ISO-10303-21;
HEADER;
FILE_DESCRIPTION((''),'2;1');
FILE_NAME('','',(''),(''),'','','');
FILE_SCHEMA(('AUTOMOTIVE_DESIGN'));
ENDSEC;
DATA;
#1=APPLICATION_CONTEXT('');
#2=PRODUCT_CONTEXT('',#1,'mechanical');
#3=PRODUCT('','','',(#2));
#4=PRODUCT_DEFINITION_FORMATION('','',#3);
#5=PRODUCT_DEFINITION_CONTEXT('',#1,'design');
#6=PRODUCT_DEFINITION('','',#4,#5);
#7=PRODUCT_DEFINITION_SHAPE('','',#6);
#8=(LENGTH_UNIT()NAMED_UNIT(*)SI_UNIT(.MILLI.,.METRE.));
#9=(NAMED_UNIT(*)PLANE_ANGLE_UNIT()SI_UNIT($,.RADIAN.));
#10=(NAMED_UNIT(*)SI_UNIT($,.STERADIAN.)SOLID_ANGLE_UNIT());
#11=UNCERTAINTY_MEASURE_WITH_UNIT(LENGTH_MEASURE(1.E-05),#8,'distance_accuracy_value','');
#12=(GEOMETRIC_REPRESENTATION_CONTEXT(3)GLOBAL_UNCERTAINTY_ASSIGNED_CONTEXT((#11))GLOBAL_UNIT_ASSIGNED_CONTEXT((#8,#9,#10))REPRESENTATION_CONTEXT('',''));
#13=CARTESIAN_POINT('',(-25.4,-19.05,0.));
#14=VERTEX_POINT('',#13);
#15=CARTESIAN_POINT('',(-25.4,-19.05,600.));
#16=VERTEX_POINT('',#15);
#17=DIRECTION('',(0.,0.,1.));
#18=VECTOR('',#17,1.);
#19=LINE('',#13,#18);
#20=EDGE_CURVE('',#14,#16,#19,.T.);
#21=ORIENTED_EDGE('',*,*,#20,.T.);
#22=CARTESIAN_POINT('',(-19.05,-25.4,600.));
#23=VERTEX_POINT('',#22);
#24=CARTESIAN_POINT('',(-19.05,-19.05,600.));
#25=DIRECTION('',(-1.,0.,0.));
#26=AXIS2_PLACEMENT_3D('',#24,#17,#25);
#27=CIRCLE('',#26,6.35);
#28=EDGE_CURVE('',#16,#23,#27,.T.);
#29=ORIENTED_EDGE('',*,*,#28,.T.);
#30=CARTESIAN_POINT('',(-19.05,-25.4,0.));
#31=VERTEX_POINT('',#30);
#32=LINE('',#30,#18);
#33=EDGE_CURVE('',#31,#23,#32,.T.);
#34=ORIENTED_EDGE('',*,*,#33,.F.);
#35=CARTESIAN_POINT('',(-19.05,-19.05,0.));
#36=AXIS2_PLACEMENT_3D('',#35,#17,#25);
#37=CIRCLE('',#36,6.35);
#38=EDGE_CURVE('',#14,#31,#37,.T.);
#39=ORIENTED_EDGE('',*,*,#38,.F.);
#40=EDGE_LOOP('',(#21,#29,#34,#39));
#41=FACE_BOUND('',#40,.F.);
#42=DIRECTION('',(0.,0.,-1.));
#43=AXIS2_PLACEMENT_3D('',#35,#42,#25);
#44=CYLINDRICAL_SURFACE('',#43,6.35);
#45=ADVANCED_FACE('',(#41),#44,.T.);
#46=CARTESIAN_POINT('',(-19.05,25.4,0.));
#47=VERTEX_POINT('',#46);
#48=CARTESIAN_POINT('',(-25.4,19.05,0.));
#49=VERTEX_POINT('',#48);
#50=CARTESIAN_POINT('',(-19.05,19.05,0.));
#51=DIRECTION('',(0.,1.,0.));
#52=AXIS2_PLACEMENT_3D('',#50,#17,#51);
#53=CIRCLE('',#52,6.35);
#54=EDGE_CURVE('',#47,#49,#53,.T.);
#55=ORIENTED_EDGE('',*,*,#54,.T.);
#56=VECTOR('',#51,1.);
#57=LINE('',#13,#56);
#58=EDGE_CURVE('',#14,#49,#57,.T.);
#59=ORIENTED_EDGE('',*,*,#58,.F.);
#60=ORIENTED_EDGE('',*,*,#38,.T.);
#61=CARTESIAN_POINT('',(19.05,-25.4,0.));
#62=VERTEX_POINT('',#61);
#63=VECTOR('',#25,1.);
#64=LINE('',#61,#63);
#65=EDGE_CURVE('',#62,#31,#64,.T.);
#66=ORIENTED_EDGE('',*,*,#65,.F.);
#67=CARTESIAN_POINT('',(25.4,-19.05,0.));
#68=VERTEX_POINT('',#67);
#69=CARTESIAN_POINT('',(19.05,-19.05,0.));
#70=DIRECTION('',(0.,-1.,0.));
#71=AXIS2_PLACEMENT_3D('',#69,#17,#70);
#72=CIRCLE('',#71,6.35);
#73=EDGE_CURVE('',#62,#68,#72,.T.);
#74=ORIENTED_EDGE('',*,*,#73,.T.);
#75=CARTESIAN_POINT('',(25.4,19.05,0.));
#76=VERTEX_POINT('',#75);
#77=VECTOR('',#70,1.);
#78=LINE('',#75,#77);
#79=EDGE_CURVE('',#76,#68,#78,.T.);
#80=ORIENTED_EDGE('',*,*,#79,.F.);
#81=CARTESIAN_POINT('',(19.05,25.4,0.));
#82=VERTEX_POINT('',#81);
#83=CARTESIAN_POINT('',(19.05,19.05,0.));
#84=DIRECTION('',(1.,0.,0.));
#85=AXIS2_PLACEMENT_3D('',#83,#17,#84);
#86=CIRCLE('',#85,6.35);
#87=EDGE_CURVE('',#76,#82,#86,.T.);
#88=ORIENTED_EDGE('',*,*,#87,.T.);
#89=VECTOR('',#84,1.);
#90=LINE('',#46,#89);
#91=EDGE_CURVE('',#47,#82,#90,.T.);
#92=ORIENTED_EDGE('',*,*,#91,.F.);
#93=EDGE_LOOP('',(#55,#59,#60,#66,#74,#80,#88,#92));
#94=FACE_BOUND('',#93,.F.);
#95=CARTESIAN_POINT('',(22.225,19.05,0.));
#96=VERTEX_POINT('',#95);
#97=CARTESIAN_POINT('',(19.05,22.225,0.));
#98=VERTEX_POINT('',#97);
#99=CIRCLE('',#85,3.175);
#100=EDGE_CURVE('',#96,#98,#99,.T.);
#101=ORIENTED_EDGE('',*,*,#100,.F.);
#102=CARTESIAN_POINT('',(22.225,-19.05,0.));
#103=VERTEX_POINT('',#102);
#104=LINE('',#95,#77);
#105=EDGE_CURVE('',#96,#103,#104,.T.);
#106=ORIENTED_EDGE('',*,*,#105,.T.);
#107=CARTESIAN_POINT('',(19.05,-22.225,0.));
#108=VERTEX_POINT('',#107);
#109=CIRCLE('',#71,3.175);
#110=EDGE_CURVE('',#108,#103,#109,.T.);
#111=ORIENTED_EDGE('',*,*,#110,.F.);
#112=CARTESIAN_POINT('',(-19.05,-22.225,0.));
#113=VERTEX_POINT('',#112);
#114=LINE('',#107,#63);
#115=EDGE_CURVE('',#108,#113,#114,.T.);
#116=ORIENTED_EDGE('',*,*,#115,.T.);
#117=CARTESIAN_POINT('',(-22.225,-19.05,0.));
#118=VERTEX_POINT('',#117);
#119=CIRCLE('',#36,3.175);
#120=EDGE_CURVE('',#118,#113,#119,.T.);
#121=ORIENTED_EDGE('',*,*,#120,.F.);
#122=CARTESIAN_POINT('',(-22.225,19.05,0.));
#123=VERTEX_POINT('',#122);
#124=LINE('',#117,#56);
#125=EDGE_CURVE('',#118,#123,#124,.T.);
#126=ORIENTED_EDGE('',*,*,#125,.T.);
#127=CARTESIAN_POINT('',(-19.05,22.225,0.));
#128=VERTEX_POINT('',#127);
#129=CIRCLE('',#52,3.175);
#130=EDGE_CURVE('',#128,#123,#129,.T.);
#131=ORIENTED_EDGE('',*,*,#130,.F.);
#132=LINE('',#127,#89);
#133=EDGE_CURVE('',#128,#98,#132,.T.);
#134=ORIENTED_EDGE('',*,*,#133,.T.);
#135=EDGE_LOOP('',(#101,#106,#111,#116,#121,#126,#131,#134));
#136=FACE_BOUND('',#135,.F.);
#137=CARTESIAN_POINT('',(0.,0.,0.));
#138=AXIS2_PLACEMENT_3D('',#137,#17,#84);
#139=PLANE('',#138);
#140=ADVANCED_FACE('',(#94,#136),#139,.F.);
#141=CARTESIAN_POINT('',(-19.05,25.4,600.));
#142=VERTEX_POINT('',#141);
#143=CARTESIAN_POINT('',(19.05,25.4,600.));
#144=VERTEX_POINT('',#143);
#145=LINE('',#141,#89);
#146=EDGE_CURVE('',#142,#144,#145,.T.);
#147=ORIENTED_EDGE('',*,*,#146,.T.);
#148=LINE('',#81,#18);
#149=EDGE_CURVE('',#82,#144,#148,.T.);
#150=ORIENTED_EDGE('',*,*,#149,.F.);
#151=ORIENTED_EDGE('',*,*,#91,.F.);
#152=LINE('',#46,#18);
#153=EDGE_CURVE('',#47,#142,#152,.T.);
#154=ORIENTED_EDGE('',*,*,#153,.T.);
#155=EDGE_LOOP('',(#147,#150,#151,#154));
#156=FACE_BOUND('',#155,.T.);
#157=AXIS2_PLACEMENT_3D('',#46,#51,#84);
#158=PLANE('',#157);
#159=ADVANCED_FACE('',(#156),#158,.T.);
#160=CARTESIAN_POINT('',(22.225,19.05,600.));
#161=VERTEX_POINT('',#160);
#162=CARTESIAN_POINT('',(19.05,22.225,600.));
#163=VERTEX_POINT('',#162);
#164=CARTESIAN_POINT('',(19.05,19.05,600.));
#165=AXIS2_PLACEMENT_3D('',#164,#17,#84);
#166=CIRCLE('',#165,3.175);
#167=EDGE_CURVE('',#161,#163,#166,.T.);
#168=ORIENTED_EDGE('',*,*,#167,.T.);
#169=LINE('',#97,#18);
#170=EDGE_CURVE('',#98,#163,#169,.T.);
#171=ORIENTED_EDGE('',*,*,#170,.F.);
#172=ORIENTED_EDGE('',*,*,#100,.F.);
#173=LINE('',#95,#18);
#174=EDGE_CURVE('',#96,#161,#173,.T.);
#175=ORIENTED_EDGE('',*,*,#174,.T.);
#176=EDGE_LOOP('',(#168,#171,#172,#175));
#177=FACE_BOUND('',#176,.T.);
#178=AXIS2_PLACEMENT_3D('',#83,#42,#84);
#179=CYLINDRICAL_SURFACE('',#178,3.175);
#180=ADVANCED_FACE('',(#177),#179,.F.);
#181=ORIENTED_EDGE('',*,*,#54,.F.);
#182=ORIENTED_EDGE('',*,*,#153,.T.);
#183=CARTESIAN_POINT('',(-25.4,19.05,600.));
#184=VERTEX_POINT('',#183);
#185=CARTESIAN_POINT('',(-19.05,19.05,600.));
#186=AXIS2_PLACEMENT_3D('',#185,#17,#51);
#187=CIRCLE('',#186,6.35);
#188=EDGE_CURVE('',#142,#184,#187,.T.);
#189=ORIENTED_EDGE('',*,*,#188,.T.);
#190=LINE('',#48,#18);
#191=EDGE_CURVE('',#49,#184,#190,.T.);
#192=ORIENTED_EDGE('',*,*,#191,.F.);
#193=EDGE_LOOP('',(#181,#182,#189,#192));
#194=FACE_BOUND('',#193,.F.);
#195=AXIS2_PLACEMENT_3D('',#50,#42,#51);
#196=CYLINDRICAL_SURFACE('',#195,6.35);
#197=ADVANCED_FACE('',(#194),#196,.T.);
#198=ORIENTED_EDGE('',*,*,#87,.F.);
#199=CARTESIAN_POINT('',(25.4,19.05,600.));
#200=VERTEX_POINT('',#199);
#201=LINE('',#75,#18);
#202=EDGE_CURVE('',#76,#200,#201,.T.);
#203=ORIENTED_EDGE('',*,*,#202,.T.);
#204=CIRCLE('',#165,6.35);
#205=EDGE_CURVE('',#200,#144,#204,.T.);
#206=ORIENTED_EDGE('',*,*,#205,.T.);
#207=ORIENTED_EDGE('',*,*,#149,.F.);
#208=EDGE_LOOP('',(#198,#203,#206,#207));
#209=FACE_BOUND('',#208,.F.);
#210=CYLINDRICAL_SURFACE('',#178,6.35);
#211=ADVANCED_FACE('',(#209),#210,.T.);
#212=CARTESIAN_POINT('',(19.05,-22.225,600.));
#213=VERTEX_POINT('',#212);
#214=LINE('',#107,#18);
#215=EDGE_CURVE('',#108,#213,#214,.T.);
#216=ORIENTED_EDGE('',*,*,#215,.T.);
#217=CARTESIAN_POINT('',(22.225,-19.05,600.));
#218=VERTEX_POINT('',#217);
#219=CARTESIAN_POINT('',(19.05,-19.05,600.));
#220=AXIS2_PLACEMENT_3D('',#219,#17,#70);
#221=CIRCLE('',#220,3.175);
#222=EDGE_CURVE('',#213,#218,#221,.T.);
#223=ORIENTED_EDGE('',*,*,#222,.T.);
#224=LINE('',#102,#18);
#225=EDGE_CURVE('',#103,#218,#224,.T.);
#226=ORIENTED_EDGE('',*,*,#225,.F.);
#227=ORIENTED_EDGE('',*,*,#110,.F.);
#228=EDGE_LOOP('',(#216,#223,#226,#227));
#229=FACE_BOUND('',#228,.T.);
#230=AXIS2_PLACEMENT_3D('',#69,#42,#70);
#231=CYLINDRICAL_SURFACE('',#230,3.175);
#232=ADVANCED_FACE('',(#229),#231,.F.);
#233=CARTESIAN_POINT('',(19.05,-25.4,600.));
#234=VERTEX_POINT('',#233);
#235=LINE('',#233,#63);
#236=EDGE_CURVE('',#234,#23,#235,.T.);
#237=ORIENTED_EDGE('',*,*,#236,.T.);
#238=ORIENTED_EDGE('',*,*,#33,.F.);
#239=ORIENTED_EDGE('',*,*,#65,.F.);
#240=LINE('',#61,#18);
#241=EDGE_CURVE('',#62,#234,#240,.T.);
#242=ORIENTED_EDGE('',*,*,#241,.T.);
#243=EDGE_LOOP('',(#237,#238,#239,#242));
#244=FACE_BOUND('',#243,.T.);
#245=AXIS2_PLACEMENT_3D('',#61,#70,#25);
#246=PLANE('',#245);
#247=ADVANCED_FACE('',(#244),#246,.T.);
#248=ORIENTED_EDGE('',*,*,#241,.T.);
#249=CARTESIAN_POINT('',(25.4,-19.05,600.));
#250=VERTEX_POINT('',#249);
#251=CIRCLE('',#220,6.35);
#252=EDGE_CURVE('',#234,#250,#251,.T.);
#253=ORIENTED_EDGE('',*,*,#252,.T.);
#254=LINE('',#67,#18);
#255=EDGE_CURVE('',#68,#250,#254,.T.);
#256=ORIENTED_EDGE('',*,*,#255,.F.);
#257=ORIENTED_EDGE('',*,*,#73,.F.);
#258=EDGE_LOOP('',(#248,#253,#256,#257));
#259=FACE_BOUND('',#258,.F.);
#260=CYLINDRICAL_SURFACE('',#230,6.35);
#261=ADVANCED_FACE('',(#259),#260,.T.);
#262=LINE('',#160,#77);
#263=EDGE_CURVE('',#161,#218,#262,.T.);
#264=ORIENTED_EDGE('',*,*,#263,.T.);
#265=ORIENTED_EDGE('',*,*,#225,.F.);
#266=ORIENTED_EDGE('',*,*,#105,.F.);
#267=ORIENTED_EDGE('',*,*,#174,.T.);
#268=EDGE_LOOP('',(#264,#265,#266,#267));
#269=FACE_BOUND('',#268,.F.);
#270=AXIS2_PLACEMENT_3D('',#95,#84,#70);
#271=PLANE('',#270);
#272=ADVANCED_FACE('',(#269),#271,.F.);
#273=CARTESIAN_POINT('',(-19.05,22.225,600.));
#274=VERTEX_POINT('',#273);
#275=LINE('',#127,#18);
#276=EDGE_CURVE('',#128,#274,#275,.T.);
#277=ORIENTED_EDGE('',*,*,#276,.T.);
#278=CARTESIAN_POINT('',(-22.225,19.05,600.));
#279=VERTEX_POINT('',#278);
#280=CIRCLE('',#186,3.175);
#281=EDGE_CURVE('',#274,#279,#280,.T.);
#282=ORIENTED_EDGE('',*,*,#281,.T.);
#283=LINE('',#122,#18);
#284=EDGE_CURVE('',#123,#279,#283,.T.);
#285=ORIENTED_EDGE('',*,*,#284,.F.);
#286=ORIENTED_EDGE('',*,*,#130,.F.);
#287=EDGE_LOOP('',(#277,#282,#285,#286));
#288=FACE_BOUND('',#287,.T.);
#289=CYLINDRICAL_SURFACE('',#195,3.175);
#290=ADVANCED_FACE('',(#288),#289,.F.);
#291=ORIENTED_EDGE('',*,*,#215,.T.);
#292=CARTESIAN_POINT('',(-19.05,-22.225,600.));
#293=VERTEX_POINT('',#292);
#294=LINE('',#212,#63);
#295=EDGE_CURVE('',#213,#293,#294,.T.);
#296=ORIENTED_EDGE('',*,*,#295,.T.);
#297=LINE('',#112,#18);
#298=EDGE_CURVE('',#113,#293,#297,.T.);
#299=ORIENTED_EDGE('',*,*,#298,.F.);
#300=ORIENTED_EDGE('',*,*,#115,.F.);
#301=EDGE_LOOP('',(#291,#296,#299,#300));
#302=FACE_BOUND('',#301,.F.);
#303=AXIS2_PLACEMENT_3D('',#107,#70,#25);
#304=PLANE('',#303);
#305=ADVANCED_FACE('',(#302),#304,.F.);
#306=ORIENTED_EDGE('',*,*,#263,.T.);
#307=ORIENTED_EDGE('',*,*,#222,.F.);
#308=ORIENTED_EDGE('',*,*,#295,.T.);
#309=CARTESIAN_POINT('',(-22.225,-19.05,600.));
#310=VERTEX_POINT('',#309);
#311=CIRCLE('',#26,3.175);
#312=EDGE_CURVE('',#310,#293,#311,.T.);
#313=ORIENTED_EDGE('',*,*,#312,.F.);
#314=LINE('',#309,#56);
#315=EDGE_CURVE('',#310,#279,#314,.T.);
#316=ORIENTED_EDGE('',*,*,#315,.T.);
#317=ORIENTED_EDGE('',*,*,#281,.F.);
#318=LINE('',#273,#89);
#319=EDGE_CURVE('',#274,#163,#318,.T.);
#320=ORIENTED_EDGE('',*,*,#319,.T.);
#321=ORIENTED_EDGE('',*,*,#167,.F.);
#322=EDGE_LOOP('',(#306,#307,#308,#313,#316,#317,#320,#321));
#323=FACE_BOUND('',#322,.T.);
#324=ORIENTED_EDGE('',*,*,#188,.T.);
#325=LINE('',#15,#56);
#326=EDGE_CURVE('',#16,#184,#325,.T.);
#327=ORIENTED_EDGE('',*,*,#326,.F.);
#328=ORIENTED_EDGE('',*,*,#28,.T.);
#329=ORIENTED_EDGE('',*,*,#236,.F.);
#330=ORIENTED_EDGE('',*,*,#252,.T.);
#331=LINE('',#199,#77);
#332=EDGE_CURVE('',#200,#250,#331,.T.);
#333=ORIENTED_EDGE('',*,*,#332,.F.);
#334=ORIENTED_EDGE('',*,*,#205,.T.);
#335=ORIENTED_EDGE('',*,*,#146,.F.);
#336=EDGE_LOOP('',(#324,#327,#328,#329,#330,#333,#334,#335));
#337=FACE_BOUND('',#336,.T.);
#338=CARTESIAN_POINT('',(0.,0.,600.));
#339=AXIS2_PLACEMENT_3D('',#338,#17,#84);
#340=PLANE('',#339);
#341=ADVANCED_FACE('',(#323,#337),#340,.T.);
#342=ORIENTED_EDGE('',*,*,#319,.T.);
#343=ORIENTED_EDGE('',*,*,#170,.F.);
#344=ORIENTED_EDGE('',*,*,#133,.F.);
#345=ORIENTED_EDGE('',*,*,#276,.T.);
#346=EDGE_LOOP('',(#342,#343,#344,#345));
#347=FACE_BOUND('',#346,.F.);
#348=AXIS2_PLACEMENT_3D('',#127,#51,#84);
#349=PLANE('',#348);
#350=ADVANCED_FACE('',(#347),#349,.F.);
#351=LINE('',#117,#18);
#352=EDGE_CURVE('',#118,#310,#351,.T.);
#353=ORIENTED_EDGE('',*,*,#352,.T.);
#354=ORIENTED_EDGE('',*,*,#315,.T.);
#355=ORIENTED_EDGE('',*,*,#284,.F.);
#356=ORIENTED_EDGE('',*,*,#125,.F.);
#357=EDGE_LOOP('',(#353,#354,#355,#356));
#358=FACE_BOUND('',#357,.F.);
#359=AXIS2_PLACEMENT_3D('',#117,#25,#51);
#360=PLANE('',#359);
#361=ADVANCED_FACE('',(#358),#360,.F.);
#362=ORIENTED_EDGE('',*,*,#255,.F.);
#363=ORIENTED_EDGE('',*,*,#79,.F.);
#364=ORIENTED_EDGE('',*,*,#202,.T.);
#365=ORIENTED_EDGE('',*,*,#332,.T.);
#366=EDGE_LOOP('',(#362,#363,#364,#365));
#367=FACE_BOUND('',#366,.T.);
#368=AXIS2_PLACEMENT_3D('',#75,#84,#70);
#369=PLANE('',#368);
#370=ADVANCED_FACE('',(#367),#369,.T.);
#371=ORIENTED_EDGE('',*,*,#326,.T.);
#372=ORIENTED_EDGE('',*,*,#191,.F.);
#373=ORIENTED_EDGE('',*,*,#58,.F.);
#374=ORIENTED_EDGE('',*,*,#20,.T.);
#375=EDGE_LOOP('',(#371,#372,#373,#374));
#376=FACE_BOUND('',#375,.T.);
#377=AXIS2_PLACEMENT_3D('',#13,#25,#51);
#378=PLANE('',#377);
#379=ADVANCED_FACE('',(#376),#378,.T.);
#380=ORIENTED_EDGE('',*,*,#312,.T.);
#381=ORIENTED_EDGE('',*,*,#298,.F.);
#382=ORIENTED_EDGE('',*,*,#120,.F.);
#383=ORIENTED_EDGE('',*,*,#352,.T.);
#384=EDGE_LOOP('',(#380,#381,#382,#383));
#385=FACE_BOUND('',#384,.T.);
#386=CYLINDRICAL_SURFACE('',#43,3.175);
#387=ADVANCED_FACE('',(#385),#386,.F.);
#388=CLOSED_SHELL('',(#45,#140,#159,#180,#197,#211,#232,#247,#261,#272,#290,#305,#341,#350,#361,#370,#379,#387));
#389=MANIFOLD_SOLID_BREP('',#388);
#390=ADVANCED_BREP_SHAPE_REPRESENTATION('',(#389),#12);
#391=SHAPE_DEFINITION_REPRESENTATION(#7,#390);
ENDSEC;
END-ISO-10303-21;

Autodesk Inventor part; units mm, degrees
ref_plane "YZ Plane" through (0, 0, 0) normal (1, 0, 0) x (0, 1, 0)
ref_plane "Plano inicial" through (0, 0, 0) normal (0, 0, 1) x (1, 0, 0)
ref_plane "Plano final" through (0, 0, 600) normal (0, 0, 1) x (1, 0, 0)
sketch "Boceto" plane through (0, 0, 0) normal (0, 0, 1) x (1, 0, 0)
  line L0 (-25.4, -19.05) -> (-25.4, 19.05)
  line L1 (-19.05, 25.4) -> (19.05, 25.4)
  line L2 (25.4, 19.05) -> (25.4, -19.05)
  line L3 (19.05, -25.4) -> (-19.05, -25.4)
  arc A0 (-25.4, -19.05) -> (-19.05, -25.4) centre (-19.05, -19.05) ccw
  arc A1 (-19.05, 25.4) -> (-25.4, 19.05) centre (-19.05, 19.05) ccw
  arc A2 (25.4, 19.05) -> (19.05, 25.4) centre (19.05, 19.05) ccw
  arc A3 (19.05, -25.4) -> (25.4, -19.05) centre (19.05, -19.05) ccw
  arc A4 (-19.05, 22.225) -> (-22.225, 19.05) centre (-19.05, 19.05) ccw
  line L4 (-19.05, 22.225) -> (19.05, 22.225)
  arc A5 (22.225, 19.05) -> (19.05, 22.225) centre (19.05, 19.05) ccw
  line L5 (22.225, 19.05) -> (22.225, -19.05)
  arc A6 (19.05, -22.225) -> (22.225, -19.05) centre (19.05, -19.05) ccw
  line L6 (19.05, -22.225) -> (-19.05, -22.225)
  arc A7 (-22.225, -19.05) -> (-19.05, -22.225) centre (-19.05, -19.05) ccw
  line L7 (-22.225, -19.05) -> (-22.225, 19.05)
  line L8 (0, 37.4012) -> (0, -37.4012) construction
  line L9 (-37.4012, 0) -> (37.4012, 0) construction
  dimension "d10" = 50.8
  dimension "d11" = 50.8
  dimension "d12" = 3.175
  dimension "d15" = 25.4
  dimension "d16" = 25.4
  dimension "d17" = 6.35
extrude "Cuerpo" add sketch "Boceto" along normal up to surface (600 mm away) from surface at 0
sketch "Sketch3" plane through (0, 0, 0) normal (0, 0, 1) x (1, 0, 0)
  line L0 (0, 0) -> (10, 0)
ref_plane "Work Plane3" through (0, 0, 0) normal (0, -1, 0) x (1, 0, 0)
sketch "Sketch4" plane through (0, 0, 0) normal (0, -1, 0) x (1, 0, 0)
  line L0 (-2, 0) -> (12, 0) projected
  line L1 (-2, 600) -> (12, 600) projected
  dimension "d19" = 600
equation "\"d10\" = G_H"
equation "\"d11\" = G_W"
equation "\"d12\" = G_T"
equation "\"d15\" = 0.5 * d10"
equation "\"d16\" = 0.5 * d11"
equation "\"d17\" = G_IR"
equation "\"d3\" = G_L"
equation "\"G_W\" = 50.8"
equation "\"G_H\" = 50.8"
equation "\"G_T\" = 3.175"
equation "\"G_IR\" = 6.35"
equation "\"G_L\" = d19"
equation "\"G_OFFSET_START\" = 0"
equation "\"G_OFFSET_END\" = 0"
equation "\"d14\" = G_OFFSET_END + B_L"
equation "\"B_L\" = 600"
properties part number "AISC - 2 x 2 x 1/8 - 23,622" material "Acero, suave"
